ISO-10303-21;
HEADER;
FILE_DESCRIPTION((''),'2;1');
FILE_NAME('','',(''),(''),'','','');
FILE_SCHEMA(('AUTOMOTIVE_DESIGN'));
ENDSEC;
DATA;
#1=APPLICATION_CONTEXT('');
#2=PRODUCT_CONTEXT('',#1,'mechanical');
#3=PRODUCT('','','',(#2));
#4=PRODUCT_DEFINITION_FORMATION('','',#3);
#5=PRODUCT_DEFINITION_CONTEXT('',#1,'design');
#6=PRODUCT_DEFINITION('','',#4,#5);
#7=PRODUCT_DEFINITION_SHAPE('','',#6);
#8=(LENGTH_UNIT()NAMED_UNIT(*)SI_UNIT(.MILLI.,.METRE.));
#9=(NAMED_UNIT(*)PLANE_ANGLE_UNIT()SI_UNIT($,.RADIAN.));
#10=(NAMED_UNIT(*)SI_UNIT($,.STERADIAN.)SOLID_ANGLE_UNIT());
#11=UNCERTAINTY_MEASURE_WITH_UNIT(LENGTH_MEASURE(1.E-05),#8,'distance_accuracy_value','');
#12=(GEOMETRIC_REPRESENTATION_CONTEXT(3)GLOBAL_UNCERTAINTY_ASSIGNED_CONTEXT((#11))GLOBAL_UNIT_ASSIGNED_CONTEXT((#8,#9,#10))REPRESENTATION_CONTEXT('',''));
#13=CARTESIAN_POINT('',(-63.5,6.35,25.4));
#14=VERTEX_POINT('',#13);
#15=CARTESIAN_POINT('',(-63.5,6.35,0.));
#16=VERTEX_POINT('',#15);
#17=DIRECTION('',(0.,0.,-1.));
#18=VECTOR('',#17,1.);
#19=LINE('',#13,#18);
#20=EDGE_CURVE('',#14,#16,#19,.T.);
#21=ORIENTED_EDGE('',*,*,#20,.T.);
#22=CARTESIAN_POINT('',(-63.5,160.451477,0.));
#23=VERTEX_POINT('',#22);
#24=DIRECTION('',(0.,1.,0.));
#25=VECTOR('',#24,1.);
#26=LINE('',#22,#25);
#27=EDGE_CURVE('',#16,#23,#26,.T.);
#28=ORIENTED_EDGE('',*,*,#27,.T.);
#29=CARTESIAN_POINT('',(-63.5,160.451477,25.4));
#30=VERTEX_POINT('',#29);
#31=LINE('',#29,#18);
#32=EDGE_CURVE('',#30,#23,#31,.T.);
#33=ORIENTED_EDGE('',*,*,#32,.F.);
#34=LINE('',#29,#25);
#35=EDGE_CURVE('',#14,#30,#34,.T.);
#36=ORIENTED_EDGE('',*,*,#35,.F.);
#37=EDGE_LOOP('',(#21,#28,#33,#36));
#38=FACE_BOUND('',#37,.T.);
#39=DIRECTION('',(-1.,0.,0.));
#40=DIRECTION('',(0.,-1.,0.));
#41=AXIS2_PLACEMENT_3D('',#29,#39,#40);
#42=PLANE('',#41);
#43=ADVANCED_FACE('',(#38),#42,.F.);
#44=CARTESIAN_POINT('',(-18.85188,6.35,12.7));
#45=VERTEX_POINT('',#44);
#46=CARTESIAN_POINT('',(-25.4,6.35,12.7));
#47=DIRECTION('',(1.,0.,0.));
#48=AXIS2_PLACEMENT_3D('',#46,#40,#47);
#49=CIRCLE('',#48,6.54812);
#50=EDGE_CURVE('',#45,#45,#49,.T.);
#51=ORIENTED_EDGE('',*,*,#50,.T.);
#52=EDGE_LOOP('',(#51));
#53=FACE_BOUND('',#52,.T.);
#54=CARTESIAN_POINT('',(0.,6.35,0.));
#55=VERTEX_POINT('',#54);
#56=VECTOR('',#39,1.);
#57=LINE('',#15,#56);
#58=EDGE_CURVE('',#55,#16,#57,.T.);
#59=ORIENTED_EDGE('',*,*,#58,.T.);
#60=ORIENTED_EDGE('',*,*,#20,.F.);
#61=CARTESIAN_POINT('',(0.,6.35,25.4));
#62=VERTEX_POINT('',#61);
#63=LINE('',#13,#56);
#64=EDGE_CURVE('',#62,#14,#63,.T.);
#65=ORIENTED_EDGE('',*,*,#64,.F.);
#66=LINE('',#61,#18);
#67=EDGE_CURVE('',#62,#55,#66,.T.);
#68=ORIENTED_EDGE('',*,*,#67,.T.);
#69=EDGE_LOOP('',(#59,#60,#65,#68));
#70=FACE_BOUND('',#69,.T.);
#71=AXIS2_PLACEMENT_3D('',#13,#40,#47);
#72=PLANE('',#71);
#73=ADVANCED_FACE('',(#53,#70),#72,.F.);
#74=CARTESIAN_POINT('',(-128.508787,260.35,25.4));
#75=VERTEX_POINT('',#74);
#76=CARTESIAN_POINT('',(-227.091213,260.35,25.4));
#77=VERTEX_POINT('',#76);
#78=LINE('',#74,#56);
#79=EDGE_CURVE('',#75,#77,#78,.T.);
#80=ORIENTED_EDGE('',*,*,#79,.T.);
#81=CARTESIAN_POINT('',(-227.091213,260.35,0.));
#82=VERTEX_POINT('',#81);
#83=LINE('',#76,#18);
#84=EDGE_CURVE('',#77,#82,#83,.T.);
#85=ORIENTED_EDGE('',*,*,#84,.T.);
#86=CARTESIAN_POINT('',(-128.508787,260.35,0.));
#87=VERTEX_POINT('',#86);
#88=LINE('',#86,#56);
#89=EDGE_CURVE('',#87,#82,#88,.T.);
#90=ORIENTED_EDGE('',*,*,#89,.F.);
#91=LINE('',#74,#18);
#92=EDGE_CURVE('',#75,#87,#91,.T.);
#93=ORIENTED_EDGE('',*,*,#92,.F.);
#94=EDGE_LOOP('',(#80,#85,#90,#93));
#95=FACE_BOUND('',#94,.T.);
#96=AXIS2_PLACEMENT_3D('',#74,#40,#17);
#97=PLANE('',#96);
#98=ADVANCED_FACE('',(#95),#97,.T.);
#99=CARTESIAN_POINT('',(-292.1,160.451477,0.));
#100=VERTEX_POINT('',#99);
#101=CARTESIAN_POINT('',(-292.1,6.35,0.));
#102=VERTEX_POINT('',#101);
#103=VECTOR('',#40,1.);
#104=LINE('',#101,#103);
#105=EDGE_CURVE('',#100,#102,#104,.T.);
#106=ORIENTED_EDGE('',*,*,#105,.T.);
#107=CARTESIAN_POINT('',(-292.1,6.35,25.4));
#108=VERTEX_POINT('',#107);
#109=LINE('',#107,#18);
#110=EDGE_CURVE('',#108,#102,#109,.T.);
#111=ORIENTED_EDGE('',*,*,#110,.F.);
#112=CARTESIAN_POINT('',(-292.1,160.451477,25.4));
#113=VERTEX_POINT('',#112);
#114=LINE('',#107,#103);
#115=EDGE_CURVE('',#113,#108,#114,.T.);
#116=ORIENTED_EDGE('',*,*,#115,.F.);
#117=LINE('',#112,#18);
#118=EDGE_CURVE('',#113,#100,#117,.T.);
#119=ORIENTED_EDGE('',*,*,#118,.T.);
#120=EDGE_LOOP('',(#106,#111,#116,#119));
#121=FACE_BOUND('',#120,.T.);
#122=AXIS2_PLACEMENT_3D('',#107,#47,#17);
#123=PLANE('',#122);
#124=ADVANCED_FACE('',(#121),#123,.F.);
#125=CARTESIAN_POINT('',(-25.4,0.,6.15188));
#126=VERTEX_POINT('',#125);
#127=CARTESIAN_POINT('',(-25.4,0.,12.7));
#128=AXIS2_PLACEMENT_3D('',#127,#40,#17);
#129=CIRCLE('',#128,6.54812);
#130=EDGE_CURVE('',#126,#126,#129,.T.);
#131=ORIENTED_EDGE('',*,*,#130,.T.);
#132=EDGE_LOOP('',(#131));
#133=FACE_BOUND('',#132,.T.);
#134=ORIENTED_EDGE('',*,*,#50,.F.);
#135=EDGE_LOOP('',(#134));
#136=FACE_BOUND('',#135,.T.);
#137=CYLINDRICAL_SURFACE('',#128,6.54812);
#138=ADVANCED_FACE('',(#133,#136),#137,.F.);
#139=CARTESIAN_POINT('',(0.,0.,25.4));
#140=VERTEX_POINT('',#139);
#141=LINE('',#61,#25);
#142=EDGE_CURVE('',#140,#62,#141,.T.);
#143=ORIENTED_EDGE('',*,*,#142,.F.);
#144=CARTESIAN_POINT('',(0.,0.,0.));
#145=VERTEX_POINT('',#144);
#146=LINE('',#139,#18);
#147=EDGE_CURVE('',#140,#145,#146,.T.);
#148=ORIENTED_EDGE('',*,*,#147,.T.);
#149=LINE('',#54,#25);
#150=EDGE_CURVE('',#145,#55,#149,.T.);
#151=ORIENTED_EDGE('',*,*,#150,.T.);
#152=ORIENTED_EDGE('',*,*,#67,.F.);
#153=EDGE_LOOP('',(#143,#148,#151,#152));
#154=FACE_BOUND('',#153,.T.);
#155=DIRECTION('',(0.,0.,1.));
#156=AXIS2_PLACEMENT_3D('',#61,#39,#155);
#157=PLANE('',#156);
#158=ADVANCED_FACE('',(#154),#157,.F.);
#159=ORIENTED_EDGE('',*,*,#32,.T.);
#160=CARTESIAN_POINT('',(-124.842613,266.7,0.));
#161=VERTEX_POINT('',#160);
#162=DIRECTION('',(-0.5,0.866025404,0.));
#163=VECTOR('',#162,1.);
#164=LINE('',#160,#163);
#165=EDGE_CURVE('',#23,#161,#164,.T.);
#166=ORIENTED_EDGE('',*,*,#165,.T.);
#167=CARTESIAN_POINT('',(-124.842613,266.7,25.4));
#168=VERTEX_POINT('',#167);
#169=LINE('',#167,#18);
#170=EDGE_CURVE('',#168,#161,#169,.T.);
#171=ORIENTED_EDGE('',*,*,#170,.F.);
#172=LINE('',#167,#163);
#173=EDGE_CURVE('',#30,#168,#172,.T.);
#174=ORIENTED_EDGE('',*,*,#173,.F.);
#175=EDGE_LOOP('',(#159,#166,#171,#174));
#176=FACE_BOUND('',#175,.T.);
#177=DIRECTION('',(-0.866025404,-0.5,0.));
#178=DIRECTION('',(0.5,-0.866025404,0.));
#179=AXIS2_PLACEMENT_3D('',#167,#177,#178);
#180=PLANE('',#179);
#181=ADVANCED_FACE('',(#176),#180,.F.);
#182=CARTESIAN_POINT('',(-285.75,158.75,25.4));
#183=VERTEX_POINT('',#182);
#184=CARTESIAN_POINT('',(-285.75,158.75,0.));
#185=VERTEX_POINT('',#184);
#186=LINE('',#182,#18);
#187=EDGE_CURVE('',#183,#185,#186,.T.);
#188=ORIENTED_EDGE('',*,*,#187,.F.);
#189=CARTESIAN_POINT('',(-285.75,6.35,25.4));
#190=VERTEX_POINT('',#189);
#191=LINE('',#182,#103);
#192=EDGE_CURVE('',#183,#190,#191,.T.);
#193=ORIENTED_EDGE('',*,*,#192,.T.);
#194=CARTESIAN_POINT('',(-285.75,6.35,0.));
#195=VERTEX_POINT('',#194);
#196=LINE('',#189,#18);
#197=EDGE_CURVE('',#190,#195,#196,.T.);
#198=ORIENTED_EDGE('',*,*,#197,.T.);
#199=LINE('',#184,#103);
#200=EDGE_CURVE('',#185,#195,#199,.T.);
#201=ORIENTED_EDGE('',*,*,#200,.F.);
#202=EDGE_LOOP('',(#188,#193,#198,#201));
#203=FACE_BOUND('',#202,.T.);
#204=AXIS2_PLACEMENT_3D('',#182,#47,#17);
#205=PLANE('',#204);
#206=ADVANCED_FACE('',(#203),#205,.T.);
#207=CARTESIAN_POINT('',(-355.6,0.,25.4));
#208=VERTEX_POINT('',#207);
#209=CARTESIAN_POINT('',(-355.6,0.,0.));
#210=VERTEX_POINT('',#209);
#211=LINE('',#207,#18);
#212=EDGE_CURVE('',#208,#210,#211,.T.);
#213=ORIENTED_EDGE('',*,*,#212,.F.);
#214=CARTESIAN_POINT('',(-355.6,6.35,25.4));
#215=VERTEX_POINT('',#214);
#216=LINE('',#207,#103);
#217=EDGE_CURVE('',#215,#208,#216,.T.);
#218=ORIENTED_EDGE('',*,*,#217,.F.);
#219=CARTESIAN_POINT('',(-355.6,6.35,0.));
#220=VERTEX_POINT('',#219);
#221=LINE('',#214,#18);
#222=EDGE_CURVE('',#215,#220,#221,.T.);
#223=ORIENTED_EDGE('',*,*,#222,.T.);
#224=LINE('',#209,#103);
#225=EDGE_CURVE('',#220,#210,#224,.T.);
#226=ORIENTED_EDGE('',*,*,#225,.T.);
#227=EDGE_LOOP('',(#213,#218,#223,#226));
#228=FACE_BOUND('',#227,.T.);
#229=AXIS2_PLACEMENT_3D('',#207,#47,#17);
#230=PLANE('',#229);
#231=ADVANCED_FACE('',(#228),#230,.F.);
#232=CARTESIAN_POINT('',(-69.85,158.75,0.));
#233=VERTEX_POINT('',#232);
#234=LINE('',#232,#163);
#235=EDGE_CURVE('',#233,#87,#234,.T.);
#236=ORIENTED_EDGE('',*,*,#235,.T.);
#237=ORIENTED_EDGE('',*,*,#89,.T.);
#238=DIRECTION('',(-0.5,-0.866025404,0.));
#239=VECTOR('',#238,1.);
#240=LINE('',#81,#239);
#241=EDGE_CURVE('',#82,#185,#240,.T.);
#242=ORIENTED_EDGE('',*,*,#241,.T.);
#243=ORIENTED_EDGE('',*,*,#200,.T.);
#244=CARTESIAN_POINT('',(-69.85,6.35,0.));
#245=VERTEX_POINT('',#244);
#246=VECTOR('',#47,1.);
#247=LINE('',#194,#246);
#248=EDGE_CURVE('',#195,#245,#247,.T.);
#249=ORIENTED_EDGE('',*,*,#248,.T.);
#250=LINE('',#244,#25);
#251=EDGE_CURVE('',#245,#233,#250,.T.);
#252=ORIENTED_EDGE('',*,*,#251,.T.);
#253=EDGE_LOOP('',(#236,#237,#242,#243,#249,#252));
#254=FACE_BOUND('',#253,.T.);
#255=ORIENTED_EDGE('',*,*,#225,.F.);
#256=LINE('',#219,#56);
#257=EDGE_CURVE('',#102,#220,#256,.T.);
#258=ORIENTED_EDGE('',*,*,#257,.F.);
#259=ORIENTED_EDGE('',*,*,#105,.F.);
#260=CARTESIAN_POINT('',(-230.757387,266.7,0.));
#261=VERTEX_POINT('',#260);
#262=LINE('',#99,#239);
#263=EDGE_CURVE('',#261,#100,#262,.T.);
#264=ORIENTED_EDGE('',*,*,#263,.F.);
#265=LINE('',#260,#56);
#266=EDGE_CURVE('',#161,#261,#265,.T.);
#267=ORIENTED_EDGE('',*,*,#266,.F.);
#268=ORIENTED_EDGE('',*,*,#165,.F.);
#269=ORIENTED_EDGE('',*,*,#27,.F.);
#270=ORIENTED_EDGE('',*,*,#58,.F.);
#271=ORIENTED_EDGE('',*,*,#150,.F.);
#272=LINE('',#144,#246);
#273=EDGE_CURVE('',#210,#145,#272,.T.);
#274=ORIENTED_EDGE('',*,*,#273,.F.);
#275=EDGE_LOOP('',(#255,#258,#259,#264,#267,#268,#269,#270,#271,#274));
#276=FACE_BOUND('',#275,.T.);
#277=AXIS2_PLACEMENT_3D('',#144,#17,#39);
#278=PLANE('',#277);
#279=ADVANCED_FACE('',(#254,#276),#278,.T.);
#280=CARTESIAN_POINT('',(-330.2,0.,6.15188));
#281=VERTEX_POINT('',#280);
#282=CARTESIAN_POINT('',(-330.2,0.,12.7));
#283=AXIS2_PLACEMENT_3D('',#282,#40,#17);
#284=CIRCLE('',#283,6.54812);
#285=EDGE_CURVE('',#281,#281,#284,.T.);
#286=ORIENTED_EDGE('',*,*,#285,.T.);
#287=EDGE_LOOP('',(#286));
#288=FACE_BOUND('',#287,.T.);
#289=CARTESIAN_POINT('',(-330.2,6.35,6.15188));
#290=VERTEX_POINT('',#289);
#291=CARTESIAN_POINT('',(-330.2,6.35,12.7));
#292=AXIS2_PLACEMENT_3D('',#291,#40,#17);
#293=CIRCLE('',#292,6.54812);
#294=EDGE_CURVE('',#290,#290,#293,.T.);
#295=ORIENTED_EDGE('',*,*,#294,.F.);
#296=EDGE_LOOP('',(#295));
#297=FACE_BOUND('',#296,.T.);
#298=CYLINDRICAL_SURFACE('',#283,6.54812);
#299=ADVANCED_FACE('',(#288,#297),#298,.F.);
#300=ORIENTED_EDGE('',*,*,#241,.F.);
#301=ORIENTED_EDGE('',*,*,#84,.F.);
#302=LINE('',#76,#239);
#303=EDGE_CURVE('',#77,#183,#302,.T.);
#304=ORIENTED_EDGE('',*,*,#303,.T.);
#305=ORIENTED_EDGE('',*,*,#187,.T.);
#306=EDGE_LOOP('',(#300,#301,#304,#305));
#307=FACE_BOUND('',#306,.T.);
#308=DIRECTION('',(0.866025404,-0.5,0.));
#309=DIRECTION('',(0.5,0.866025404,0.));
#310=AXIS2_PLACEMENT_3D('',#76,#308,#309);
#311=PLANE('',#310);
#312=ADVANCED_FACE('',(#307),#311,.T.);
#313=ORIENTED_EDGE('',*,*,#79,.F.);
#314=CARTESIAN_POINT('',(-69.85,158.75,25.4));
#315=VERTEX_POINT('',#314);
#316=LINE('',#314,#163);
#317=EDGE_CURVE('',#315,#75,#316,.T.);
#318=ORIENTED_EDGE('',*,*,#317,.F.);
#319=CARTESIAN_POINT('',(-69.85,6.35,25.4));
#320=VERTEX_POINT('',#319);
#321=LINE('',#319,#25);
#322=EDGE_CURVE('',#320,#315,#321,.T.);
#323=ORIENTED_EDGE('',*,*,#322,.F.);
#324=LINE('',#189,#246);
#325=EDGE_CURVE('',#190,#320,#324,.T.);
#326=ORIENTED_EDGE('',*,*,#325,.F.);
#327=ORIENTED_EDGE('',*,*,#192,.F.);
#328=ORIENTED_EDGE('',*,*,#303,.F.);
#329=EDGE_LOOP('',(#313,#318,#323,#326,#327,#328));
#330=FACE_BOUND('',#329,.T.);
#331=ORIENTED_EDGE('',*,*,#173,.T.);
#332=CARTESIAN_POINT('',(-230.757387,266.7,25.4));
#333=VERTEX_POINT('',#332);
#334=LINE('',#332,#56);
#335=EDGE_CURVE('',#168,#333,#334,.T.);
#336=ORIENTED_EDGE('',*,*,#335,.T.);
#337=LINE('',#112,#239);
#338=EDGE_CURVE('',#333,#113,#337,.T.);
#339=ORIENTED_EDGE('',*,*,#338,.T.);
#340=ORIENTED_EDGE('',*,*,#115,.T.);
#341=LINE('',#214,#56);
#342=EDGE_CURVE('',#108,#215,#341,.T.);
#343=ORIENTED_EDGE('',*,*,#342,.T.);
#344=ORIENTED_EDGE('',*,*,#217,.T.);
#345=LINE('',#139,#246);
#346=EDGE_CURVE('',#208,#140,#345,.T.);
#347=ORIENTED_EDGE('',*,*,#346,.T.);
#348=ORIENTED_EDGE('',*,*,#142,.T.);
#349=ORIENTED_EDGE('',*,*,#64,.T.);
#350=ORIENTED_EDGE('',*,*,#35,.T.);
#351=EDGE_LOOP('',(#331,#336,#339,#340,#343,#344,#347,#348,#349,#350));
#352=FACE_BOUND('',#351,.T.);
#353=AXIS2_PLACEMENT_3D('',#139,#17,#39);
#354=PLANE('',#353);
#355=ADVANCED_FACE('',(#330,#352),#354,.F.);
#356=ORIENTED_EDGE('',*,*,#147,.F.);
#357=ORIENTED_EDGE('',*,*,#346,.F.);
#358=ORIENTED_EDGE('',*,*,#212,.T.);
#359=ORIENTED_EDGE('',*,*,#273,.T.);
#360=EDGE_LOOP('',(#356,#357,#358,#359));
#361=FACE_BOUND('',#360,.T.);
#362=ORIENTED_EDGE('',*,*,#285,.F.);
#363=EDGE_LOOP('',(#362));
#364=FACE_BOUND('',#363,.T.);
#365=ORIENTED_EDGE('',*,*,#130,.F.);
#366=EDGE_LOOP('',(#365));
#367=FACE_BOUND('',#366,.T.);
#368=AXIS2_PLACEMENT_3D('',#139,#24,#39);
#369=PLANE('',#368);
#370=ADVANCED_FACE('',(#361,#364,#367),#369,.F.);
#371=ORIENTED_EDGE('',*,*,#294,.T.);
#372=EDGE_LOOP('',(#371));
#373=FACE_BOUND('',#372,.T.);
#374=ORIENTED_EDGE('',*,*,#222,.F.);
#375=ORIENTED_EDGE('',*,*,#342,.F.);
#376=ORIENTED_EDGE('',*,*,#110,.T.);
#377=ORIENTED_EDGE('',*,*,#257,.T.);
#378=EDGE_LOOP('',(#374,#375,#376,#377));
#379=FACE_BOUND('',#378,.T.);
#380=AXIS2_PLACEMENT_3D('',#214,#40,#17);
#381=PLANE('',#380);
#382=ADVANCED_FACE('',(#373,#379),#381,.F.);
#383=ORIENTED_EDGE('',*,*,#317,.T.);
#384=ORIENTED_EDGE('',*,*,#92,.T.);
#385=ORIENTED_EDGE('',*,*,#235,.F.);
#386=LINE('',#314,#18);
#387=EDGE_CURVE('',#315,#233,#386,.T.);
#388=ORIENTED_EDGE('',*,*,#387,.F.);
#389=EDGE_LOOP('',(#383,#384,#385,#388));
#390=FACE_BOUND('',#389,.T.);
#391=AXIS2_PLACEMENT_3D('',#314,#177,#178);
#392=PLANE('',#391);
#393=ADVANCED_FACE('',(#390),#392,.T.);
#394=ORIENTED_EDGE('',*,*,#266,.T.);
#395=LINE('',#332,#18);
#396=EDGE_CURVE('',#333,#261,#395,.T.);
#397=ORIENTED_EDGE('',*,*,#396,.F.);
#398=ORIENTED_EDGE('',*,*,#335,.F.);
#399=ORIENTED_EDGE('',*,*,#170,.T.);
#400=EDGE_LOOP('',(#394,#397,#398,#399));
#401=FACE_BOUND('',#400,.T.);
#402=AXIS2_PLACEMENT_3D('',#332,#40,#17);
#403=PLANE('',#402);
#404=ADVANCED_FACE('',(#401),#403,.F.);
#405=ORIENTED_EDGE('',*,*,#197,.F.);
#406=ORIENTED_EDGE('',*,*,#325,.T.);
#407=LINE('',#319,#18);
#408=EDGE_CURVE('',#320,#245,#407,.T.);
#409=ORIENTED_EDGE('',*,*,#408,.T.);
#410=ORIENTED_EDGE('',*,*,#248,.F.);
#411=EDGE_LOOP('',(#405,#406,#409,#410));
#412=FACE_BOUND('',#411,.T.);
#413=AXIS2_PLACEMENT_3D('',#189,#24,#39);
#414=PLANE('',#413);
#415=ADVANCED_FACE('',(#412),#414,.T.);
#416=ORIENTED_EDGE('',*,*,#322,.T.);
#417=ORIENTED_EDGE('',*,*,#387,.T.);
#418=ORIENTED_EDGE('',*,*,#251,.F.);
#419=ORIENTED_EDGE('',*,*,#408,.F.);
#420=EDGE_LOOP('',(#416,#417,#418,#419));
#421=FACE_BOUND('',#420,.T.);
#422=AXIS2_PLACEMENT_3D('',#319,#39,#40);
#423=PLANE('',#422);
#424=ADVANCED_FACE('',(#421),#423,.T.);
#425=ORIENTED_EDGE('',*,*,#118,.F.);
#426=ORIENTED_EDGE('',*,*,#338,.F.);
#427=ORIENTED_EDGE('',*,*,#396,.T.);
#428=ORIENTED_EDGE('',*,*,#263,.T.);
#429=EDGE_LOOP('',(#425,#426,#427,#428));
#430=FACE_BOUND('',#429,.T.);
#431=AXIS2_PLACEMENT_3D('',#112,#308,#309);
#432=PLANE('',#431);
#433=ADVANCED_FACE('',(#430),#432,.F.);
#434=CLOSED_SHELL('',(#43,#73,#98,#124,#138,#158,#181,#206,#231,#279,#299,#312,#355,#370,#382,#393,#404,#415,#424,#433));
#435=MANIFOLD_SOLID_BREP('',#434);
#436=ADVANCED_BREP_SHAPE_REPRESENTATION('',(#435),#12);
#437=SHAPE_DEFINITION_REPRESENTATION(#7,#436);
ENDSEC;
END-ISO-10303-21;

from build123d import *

# Parameters (mm, degrees)
BOSS_EXTRUDE1_DEPTH         = 25.4
F_1_2_CLEARANCE_HOLE1_D     = 13.09624
F_1_2_CLEARANCE_HOLE1_DEPTH = 76.2
F_1_2_CLEARANCE_HOLE1_TIP   = 3.934507437


with BuildPart() as part:
    # Sketch1 → Boss-Extrude1 (new body)
    with BuildSketch(Plane.XY):
        Polygon((0, 0), (-355.6, 0), (-355.6, 6.35), (-292.1, 6.35), (-292.1, 160.451477372), (-230.75738686, 266.7), (-124.84261314, 266.7), (-63.5, 160.451477372), (-63.5, 6.35), (0, 6.35), align=None)
        Polygon((-285.75, 158.75), (-285.75, 6.35), (-69.85, 6.35), (-69.85, 158.75), (-128.50878735, 260.35), (-227.09121265, 260.35), align=None, mode=Mode.SUBTRACT)
    extrude(amount=BOSS_EXTRUDE1_DEPTH)

    # 1/2 Clearance Hole1
    with Locations(Plane(origin=(0, 0, 0), x_dir=(-1, 0, 0), z_dir=(0, -1, 0))):
        with Locations((25.4, -12.7), (330.2, -12.7)):
            Hole(F_1_2_CLEARANCE_HOLE1_D / 2, depth=F_1_2_CLEARANCE_HOLE1_DEPTH)
            with Locations((0, 0, -(F_1_2_CLEARANCE_HOLE1_DEPTH + F_1_2_CLEARANCE_HOLE1_TIP / 2))):  # 118° drill point
                Cone(0, F_1_2_CLEARANCE_HOLE1_D / 2, F_1_2_CLEARANCE_HOLE1_TIP, mode=Mode.SUBTRACT)


solid = part.part
